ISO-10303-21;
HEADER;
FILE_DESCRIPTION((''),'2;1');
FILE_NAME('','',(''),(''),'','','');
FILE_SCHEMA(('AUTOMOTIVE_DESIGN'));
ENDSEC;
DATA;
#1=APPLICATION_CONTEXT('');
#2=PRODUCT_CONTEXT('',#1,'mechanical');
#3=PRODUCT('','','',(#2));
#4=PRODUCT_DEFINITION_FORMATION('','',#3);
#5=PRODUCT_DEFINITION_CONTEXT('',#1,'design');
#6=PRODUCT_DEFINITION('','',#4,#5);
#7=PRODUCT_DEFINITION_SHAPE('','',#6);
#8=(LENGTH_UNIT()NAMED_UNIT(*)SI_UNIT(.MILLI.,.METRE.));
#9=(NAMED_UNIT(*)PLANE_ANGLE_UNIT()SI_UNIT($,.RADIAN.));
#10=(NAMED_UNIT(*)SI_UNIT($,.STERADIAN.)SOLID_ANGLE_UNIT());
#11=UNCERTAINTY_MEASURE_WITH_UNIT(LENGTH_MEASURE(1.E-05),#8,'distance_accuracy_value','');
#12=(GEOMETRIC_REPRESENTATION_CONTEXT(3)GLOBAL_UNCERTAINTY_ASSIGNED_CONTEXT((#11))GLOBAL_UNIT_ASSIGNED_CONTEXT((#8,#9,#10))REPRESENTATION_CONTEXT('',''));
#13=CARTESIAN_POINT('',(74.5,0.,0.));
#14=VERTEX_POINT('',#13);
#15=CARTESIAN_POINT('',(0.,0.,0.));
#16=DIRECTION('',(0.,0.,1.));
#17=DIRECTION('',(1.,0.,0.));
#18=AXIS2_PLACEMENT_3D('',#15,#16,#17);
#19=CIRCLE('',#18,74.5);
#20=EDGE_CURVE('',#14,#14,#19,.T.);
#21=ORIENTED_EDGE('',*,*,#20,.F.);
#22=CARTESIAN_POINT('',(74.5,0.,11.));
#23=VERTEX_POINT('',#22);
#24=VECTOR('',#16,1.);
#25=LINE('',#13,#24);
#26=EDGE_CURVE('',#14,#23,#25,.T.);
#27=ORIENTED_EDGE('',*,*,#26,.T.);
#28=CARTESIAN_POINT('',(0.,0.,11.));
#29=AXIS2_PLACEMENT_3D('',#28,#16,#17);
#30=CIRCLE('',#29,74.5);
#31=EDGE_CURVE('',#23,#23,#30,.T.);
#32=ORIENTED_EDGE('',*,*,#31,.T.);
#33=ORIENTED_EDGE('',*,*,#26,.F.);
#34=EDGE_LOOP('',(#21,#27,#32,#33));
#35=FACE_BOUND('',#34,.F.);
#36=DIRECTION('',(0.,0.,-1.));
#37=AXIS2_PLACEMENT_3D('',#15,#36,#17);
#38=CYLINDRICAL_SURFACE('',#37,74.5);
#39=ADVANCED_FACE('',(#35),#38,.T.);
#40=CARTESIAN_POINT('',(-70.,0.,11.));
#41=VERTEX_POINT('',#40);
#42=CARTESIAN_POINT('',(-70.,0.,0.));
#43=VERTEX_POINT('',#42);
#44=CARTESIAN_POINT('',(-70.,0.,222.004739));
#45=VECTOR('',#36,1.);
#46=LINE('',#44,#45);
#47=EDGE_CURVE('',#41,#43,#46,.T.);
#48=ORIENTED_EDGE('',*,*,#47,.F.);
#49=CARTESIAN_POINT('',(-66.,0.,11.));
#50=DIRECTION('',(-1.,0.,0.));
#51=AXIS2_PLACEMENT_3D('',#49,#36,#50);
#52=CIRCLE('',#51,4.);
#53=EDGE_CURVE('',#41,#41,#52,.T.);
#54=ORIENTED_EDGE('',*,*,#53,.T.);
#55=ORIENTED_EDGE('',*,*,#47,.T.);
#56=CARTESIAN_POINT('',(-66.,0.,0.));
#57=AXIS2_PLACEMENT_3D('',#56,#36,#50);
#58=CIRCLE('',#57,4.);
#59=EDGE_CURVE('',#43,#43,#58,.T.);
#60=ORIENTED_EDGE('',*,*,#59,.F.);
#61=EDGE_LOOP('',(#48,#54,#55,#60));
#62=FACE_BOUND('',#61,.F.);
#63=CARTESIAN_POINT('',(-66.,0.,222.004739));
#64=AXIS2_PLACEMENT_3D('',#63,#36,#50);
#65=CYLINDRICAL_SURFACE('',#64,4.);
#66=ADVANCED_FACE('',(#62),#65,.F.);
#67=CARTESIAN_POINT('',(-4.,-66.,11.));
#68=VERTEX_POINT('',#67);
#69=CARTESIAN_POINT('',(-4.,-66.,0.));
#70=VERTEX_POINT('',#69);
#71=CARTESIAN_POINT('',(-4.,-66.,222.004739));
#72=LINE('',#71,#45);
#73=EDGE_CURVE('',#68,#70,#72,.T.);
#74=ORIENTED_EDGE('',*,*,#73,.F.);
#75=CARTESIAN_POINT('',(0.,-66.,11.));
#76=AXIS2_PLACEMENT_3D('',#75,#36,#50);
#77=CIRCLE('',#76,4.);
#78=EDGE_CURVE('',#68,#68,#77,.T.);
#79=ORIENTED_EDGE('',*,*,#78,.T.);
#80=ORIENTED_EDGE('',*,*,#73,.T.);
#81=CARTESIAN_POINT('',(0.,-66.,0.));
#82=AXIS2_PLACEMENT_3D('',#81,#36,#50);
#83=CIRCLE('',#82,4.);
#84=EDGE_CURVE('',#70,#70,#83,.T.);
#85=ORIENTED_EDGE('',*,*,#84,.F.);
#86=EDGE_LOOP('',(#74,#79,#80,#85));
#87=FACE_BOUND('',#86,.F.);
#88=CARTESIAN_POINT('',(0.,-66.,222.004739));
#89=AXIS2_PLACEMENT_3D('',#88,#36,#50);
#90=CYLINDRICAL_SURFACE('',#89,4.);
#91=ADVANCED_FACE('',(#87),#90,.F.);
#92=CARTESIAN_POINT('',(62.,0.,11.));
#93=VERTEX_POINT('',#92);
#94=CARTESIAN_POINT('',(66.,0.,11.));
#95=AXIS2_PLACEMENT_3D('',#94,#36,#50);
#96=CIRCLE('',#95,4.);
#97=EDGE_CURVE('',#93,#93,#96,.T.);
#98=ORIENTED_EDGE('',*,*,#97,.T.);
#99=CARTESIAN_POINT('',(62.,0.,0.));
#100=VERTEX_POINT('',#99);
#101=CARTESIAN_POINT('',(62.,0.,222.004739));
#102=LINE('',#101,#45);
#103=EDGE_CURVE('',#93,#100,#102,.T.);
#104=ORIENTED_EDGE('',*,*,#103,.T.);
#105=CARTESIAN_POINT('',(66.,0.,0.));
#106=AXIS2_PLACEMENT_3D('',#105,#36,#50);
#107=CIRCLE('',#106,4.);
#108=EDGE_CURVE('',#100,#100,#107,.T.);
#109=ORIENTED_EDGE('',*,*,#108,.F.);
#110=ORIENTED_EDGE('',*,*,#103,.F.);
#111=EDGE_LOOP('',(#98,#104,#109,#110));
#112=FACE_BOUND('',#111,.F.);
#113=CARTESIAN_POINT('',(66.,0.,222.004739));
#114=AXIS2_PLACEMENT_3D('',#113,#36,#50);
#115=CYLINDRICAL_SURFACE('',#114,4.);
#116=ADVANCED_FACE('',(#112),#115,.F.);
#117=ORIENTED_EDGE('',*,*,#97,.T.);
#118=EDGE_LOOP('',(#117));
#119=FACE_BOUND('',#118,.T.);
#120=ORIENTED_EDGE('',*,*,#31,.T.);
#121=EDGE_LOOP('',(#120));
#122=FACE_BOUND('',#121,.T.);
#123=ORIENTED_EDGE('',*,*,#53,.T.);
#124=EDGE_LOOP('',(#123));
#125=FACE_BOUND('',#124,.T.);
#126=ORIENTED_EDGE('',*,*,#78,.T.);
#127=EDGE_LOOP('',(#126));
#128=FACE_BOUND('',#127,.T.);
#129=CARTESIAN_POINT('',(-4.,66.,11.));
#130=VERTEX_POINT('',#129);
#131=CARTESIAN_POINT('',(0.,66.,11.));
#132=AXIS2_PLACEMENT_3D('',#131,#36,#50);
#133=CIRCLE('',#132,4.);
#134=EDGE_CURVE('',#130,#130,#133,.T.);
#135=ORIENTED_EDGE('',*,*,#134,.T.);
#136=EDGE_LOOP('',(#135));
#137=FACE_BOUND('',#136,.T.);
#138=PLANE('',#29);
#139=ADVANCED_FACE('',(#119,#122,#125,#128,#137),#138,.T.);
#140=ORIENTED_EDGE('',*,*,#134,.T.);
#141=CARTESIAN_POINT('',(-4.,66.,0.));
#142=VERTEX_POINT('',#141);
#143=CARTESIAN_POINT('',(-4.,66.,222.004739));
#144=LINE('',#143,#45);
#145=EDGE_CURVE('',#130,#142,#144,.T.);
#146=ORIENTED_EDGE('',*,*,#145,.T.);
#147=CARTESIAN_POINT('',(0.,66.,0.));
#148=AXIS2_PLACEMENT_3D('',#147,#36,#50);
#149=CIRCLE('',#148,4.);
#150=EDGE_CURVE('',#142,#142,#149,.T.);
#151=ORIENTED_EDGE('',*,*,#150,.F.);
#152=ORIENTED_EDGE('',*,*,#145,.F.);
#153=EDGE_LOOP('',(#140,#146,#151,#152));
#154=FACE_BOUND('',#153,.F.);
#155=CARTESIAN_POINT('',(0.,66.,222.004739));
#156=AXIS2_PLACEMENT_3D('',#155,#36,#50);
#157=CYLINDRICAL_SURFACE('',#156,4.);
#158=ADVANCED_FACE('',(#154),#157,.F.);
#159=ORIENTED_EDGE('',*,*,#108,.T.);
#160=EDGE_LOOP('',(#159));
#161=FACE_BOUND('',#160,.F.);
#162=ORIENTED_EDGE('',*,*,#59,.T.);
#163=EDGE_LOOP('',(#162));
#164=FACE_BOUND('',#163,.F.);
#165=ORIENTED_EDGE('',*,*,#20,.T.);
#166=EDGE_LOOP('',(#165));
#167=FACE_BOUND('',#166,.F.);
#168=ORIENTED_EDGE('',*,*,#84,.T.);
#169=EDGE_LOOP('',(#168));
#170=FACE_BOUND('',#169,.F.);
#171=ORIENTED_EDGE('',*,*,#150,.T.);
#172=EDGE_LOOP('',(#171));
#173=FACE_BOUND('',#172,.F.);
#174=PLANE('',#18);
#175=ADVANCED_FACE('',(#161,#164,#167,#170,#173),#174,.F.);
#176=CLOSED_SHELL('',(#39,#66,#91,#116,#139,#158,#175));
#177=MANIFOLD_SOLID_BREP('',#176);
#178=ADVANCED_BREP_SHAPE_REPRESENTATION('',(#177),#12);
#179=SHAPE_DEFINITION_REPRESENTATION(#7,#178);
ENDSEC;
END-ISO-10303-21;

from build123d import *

# Parameters (mm, degrees)
F0_R     = 74.5
F1_DEPTH = 11
F4_D     = 8


with BuildPart() as f1:
    # F0 (on Top) → F1 (new body)
    with BuildSketch(Plane.XY):
        Circle(F0_R)
    extrude(amount=F1_DEPTH)

    # F4 (through all)
    with Locations(Plane.XY.offset(11)):
        with Locations((0, 66), (-66, 0), (66, 0), (0, -66)):
            Hole(F4_D / 2)


solid = f1.part
